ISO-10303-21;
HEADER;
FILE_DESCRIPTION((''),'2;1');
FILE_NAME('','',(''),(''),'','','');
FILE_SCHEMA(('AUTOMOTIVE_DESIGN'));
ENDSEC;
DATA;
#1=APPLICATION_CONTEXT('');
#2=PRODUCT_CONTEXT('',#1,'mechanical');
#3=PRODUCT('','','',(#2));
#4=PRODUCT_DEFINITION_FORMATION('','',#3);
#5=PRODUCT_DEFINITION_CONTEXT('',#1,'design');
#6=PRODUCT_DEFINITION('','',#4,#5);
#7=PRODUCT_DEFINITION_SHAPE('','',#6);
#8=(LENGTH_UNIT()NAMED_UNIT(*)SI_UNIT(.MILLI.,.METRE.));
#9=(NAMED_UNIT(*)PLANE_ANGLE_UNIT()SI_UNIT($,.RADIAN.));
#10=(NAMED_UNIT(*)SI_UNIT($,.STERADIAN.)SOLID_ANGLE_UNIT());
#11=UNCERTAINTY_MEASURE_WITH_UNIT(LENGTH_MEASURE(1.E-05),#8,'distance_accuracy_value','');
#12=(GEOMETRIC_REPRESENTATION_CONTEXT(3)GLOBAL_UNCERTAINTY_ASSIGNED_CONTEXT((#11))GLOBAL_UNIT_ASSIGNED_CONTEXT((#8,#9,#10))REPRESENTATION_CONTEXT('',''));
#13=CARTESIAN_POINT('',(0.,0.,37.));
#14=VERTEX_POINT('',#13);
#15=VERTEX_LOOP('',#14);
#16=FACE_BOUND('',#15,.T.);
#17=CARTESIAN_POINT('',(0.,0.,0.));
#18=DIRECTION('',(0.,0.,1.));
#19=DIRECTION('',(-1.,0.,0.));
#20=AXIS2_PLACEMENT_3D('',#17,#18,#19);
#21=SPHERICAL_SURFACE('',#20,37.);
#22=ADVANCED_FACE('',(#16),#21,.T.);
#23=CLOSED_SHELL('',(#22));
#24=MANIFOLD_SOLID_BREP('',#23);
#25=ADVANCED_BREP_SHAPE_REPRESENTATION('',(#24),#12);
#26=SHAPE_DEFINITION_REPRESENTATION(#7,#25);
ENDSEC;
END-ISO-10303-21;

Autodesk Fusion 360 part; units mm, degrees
sketch "Sketch1" plane through (0, 0, 0) normal (0, 1, 0) x (1, 0, 0)
  line L0 (0, 0) -> (0, -37)
  arc A0 (0, 37) -> (0, -37) centre (0, 0) ccw
  line L1 (0, 37) -> (0, 0)
  dimension "d2" = 37
revolve "Revolve1" add sketch "Sketch1" angle 360 about axis through (0, 0, 0) along (0, 0, 1)
